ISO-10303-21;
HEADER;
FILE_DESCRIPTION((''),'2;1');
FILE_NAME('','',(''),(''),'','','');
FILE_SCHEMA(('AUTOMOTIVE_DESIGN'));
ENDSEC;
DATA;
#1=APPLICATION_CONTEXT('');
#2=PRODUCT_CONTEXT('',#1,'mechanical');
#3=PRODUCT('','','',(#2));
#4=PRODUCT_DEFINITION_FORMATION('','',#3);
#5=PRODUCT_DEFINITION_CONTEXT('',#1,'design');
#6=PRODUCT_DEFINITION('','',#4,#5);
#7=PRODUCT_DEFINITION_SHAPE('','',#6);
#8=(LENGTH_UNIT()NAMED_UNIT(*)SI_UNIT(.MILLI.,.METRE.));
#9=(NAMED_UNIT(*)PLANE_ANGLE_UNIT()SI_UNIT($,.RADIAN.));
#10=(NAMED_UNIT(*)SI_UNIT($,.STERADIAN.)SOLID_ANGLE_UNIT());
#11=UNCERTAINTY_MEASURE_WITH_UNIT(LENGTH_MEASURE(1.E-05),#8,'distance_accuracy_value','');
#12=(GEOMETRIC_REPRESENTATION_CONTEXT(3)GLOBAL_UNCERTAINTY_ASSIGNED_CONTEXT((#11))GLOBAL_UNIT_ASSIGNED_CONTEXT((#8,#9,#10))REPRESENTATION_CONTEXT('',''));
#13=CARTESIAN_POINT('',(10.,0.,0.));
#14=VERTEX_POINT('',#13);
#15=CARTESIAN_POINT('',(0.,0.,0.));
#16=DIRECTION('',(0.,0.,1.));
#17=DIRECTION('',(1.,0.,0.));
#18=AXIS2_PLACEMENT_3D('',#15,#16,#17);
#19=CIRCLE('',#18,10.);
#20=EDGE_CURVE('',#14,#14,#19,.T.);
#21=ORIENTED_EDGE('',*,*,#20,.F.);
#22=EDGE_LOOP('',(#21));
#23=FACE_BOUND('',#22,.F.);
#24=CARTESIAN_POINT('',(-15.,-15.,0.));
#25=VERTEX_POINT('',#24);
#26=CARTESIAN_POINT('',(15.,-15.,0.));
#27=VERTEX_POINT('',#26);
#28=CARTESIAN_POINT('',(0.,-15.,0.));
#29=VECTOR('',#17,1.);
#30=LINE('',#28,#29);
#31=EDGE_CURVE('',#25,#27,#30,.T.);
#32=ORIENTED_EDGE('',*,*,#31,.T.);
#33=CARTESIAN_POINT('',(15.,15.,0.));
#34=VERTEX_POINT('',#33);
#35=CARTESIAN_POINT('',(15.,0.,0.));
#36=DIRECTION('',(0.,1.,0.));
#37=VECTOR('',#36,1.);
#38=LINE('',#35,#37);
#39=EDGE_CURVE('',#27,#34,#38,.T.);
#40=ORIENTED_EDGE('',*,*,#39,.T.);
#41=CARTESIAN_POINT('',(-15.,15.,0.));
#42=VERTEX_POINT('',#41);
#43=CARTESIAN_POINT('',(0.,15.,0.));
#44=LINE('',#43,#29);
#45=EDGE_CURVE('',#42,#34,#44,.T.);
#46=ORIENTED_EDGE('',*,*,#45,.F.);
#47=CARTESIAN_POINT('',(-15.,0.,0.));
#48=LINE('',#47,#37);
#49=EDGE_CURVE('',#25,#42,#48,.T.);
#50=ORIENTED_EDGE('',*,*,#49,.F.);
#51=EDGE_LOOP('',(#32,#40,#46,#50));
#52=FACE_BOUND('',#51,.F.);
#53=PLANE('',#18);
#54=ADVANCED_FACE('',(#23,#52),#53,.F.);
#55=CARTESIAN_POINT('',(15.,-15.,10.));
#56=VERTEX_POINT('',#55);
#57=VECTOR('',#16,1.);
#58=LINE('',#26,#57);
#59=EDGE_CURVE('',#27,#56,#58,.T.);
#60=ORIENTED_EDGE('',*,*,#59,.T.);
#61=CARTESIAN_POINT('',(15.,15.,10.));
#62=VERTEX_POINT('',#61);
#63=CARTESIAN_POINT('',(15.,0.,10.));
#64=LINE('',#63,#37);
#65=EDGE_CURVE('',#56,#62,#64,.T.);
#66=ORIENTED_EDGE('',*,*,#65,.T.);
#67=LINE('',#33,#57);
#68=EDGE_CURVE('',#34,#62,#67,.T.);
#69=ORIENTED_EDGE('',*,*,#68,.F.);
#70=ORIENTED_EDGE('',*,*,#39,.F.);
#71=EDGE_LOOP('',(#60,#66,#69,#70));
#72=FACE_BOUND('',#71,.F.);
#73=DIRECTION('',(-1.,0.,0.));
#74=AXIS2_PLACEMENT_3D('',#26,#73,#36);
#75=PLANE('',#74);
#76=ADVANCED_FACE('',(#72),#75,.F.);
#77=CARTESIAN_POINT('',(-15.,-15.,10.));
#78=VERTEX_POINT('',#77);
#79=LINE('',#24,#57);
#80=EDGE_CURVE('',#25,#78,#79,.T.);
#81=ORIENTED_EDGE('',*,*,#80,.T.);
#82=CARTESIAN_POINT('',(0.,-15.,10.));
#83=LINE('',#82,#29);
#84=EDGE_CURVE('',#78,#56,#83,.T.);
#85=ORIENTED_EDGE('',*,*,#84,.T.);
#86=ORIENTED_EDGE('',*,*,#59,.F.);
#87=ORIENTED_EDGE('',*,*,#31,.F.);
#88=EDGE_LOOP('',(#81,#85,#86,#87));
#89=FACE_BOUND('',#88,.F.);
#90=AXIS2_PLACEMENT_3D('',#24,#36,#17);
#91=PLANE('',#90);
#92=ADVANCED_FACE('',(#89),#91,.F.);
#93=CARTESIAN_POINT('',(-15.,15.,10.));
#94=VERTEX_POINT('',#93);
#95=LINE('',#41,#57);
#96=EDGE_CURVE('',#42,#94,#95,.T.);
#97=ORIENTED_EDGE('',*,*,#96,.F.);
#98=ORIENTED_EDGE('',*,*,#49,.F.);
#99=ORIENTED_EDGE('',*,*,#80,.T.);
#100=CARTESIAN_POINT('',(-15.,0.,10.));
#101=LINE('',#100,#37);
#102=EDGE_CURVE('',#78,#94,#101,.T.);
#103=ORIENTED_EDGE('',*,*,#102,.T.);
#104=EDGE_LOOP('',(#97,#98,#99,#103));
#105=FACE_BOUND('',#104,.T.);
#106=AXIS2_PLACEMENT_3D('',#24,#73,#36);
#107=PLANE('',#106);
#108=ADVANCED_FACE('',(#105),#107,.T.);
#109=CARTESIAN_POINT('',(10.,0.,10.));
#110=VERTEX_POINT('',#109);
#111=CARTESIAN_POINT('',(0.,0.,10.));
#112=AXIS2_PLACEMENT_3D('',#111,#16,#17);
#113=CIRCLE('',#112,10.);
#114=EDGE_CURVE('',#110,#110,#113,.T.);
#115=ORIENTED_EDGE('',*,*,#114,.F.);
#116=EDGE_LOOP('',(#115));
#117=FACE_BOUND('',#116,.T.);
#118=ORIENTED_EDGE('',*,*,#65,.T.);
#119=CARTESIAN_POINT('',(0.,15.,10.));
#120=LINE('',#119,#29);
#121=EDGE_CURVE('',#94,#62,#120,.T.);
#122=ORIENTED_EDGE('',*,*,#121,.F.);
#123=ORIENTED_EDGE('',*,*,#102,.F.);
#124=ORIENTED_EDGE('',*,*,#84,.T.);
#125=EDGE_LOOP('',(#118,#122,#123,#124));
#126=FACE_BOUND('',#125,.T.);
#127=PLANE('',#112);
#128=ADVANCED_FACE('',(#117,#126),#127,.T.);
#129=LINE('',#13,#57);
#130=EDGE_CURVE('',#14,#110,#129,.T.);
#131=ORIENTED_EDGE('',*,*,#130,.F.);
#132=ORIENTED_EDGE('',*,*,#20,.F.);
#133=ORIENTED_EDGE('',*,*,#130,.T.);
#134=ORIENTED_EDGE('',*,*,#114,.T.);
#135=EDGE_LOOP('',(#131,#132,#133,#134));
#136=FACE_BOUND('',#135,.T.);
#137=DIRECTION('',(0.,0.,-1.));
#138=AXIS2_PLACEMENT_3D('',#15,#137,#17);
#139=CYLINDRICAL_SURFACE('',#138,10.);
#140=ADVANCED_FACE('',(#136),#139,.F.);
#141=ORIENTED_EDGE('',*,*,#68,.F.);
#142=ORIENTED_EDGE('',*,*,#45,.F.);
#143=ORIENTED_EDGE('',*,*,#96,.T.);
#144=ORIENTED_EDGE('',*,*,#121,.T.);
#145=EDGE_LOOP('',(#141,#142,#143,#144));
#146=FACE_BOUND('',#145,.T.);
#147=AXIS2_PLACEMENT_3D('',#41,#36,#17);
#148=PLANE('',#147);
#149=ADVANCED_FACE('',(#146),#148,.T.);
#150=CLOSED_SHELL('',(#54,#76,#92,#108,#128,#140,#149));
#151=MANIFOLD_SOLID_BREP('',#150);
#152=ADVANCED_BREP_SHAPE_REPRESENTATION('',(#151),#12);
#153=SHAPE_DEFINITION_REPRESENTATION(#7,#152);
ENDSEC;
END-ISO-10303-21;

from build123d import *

# Parameters (mm, degrees)
SKETCH_W  = 30
SKETCH_H  = 30
SKETCH_R  = 10
PAD_DEPTH = 10


with BuildPart() as part:
    # Sketch → Pad (new body)
    with BuildSketch(Plane.XY):
        Rectangle(SKETCH_W, SKETCH_H)
        Circle(SKETCH_R, mode=Mode.SUBTRACT)
    extrude(amount=PAD_DEPTH)


solid = part.part
